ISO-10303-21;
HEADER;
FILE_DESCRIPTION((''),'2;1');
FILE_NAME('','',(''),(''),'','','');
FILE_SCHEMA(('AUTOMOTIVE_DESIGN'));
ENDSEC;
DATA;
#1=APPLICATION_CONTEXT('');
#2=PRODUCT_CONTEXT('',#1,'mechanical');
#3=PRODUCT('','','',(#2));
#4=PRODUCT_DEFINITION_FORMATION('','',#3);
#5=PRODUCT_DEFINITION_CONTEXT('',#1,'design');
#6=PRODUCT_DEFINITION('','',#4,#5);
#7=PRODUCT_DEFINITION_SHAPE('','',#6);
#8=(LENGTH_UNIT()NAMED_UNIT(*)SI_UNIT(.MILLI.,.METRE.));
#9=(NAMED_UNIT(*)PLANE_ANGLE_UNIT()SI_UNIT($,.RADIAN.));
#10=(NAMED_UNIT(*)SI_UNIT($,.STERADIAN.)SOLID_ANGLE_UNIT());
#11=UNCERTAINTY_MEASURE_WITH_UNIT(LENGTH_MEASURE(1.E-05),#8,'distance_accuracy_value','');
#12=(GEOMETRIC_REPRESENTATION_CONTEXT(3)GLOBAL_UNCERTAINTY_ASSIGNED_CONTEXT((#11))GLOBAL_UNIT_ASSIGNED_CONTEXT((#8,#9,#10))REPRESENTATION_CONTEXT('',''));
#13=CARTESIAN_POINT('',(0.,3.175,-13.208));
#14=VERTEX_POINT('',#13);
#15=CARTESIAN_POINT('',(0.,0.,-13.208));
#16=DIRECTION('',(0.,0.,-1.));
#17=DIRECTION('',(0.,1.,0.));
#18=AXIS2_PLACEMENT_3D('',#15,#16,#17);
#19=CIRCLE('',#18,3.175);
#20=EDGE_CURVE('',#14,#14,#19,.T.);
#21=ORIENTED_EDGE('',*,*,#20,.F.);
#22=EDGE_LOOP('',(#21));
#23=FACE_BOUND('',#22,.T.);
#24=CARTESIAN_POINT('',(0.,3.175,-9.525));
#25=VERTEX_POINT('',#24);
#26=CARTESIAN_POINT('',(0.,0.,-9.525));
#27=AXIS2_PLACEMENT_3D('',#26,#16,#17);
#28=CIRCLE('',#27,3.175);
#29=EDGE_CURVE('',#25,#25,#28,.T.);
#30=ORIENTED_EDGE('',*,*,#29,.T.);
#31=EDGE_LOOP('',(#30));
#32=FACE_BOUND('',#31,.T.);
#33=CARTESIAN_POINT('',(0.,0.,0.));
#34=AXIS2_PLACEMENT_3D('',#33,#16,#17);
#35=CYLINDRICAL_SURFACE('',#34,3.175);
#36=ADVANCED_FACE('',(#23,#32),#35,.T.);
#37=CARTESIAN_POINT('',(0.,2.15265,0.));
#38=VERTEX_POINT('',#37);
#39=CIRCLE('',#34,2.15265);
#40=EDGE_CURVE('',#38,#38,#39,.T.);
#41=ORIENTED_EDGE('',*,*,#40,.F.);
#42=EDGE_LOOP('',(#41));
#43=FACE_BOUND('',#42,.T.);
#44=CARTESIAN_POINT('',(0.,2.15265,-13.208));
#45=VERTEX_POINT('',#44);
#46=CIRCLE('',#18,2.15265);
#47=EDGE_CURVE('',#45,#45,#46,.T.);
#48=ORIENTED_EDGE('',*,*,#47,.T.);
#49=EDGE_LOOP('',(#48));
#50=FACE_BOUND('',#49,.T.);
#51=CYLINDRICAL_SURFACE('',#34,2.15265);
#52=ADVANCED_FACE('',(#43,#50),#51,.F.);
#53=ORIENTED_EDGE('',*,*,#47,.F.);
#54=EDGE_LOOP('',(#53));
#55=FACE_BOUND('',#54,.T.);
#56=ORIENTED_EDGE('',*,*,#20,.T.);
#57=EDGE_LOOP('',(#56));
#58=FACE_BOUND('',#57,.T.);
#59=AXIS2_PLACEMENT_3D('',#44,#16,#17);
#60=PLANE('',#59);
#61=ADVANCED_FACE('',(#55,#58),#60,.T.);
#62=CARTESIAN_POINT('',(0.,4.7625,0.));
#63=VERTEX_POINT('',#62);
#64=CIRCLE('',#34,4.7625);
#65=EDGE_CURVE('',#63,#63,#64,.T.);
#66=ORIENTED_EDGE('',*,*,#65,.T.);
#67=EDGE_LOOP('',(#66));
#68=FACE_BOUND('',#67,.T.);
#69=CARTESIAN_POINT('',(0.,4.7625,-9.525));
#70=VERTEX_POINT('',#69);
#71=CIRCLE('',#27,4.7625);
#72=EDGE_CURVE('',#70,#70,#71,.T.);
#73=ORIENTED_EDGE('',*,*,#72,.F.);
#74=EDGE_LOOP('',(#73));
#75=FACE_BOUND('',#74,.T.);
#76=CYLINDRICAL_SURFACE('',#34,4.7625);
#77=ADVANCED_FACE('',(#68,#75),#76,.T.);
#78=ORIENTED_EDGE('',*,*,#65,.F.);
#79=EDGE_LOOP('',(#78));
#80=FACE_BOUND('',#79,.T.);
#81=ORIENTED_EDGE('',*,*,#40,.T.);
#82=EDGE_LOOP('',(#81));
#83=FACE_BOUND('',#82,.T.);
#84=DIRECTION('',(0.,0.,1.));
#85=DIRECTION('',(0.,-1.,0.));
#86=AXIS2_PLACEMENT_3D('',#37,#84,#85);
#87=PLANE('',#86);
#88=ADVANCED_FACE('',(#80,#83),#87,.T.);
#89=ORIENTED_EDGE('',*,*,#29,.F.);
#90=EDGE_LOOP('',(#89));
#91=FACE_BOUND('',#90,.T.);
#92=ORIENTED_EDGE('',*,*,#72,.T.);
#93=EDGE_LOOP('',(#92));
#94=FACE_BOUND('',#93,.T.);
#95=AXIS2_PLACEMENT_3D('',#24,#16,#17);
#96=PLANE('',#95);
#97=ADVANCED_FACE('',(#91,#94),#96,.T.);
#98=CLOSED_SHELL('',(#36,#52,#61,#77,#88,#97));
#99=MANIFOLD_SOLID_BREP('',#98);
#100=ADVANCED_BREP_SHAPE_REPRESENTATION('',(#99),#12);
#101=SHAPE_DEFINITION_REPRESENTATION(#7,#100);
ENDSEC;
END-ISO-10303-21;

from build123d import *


with BuildPart() as part:
    # Sketch1 → Revolve1 (revolve)
    with BuildSketch(Plane(origin=(0, 0, 0), x_dir=(0, 0, -1), z_dir=(1, 0, 0))):
        Polygon((0, 2.15265), (13.208, 2.15265), (13.208, 3.175), (9.525, 3.175), (9.525, 4.7625), (0, 4.7625), align=None)
    revolve(axis=Axis((0, 0, 0), (0, 0, 1)))


solid = part.part
